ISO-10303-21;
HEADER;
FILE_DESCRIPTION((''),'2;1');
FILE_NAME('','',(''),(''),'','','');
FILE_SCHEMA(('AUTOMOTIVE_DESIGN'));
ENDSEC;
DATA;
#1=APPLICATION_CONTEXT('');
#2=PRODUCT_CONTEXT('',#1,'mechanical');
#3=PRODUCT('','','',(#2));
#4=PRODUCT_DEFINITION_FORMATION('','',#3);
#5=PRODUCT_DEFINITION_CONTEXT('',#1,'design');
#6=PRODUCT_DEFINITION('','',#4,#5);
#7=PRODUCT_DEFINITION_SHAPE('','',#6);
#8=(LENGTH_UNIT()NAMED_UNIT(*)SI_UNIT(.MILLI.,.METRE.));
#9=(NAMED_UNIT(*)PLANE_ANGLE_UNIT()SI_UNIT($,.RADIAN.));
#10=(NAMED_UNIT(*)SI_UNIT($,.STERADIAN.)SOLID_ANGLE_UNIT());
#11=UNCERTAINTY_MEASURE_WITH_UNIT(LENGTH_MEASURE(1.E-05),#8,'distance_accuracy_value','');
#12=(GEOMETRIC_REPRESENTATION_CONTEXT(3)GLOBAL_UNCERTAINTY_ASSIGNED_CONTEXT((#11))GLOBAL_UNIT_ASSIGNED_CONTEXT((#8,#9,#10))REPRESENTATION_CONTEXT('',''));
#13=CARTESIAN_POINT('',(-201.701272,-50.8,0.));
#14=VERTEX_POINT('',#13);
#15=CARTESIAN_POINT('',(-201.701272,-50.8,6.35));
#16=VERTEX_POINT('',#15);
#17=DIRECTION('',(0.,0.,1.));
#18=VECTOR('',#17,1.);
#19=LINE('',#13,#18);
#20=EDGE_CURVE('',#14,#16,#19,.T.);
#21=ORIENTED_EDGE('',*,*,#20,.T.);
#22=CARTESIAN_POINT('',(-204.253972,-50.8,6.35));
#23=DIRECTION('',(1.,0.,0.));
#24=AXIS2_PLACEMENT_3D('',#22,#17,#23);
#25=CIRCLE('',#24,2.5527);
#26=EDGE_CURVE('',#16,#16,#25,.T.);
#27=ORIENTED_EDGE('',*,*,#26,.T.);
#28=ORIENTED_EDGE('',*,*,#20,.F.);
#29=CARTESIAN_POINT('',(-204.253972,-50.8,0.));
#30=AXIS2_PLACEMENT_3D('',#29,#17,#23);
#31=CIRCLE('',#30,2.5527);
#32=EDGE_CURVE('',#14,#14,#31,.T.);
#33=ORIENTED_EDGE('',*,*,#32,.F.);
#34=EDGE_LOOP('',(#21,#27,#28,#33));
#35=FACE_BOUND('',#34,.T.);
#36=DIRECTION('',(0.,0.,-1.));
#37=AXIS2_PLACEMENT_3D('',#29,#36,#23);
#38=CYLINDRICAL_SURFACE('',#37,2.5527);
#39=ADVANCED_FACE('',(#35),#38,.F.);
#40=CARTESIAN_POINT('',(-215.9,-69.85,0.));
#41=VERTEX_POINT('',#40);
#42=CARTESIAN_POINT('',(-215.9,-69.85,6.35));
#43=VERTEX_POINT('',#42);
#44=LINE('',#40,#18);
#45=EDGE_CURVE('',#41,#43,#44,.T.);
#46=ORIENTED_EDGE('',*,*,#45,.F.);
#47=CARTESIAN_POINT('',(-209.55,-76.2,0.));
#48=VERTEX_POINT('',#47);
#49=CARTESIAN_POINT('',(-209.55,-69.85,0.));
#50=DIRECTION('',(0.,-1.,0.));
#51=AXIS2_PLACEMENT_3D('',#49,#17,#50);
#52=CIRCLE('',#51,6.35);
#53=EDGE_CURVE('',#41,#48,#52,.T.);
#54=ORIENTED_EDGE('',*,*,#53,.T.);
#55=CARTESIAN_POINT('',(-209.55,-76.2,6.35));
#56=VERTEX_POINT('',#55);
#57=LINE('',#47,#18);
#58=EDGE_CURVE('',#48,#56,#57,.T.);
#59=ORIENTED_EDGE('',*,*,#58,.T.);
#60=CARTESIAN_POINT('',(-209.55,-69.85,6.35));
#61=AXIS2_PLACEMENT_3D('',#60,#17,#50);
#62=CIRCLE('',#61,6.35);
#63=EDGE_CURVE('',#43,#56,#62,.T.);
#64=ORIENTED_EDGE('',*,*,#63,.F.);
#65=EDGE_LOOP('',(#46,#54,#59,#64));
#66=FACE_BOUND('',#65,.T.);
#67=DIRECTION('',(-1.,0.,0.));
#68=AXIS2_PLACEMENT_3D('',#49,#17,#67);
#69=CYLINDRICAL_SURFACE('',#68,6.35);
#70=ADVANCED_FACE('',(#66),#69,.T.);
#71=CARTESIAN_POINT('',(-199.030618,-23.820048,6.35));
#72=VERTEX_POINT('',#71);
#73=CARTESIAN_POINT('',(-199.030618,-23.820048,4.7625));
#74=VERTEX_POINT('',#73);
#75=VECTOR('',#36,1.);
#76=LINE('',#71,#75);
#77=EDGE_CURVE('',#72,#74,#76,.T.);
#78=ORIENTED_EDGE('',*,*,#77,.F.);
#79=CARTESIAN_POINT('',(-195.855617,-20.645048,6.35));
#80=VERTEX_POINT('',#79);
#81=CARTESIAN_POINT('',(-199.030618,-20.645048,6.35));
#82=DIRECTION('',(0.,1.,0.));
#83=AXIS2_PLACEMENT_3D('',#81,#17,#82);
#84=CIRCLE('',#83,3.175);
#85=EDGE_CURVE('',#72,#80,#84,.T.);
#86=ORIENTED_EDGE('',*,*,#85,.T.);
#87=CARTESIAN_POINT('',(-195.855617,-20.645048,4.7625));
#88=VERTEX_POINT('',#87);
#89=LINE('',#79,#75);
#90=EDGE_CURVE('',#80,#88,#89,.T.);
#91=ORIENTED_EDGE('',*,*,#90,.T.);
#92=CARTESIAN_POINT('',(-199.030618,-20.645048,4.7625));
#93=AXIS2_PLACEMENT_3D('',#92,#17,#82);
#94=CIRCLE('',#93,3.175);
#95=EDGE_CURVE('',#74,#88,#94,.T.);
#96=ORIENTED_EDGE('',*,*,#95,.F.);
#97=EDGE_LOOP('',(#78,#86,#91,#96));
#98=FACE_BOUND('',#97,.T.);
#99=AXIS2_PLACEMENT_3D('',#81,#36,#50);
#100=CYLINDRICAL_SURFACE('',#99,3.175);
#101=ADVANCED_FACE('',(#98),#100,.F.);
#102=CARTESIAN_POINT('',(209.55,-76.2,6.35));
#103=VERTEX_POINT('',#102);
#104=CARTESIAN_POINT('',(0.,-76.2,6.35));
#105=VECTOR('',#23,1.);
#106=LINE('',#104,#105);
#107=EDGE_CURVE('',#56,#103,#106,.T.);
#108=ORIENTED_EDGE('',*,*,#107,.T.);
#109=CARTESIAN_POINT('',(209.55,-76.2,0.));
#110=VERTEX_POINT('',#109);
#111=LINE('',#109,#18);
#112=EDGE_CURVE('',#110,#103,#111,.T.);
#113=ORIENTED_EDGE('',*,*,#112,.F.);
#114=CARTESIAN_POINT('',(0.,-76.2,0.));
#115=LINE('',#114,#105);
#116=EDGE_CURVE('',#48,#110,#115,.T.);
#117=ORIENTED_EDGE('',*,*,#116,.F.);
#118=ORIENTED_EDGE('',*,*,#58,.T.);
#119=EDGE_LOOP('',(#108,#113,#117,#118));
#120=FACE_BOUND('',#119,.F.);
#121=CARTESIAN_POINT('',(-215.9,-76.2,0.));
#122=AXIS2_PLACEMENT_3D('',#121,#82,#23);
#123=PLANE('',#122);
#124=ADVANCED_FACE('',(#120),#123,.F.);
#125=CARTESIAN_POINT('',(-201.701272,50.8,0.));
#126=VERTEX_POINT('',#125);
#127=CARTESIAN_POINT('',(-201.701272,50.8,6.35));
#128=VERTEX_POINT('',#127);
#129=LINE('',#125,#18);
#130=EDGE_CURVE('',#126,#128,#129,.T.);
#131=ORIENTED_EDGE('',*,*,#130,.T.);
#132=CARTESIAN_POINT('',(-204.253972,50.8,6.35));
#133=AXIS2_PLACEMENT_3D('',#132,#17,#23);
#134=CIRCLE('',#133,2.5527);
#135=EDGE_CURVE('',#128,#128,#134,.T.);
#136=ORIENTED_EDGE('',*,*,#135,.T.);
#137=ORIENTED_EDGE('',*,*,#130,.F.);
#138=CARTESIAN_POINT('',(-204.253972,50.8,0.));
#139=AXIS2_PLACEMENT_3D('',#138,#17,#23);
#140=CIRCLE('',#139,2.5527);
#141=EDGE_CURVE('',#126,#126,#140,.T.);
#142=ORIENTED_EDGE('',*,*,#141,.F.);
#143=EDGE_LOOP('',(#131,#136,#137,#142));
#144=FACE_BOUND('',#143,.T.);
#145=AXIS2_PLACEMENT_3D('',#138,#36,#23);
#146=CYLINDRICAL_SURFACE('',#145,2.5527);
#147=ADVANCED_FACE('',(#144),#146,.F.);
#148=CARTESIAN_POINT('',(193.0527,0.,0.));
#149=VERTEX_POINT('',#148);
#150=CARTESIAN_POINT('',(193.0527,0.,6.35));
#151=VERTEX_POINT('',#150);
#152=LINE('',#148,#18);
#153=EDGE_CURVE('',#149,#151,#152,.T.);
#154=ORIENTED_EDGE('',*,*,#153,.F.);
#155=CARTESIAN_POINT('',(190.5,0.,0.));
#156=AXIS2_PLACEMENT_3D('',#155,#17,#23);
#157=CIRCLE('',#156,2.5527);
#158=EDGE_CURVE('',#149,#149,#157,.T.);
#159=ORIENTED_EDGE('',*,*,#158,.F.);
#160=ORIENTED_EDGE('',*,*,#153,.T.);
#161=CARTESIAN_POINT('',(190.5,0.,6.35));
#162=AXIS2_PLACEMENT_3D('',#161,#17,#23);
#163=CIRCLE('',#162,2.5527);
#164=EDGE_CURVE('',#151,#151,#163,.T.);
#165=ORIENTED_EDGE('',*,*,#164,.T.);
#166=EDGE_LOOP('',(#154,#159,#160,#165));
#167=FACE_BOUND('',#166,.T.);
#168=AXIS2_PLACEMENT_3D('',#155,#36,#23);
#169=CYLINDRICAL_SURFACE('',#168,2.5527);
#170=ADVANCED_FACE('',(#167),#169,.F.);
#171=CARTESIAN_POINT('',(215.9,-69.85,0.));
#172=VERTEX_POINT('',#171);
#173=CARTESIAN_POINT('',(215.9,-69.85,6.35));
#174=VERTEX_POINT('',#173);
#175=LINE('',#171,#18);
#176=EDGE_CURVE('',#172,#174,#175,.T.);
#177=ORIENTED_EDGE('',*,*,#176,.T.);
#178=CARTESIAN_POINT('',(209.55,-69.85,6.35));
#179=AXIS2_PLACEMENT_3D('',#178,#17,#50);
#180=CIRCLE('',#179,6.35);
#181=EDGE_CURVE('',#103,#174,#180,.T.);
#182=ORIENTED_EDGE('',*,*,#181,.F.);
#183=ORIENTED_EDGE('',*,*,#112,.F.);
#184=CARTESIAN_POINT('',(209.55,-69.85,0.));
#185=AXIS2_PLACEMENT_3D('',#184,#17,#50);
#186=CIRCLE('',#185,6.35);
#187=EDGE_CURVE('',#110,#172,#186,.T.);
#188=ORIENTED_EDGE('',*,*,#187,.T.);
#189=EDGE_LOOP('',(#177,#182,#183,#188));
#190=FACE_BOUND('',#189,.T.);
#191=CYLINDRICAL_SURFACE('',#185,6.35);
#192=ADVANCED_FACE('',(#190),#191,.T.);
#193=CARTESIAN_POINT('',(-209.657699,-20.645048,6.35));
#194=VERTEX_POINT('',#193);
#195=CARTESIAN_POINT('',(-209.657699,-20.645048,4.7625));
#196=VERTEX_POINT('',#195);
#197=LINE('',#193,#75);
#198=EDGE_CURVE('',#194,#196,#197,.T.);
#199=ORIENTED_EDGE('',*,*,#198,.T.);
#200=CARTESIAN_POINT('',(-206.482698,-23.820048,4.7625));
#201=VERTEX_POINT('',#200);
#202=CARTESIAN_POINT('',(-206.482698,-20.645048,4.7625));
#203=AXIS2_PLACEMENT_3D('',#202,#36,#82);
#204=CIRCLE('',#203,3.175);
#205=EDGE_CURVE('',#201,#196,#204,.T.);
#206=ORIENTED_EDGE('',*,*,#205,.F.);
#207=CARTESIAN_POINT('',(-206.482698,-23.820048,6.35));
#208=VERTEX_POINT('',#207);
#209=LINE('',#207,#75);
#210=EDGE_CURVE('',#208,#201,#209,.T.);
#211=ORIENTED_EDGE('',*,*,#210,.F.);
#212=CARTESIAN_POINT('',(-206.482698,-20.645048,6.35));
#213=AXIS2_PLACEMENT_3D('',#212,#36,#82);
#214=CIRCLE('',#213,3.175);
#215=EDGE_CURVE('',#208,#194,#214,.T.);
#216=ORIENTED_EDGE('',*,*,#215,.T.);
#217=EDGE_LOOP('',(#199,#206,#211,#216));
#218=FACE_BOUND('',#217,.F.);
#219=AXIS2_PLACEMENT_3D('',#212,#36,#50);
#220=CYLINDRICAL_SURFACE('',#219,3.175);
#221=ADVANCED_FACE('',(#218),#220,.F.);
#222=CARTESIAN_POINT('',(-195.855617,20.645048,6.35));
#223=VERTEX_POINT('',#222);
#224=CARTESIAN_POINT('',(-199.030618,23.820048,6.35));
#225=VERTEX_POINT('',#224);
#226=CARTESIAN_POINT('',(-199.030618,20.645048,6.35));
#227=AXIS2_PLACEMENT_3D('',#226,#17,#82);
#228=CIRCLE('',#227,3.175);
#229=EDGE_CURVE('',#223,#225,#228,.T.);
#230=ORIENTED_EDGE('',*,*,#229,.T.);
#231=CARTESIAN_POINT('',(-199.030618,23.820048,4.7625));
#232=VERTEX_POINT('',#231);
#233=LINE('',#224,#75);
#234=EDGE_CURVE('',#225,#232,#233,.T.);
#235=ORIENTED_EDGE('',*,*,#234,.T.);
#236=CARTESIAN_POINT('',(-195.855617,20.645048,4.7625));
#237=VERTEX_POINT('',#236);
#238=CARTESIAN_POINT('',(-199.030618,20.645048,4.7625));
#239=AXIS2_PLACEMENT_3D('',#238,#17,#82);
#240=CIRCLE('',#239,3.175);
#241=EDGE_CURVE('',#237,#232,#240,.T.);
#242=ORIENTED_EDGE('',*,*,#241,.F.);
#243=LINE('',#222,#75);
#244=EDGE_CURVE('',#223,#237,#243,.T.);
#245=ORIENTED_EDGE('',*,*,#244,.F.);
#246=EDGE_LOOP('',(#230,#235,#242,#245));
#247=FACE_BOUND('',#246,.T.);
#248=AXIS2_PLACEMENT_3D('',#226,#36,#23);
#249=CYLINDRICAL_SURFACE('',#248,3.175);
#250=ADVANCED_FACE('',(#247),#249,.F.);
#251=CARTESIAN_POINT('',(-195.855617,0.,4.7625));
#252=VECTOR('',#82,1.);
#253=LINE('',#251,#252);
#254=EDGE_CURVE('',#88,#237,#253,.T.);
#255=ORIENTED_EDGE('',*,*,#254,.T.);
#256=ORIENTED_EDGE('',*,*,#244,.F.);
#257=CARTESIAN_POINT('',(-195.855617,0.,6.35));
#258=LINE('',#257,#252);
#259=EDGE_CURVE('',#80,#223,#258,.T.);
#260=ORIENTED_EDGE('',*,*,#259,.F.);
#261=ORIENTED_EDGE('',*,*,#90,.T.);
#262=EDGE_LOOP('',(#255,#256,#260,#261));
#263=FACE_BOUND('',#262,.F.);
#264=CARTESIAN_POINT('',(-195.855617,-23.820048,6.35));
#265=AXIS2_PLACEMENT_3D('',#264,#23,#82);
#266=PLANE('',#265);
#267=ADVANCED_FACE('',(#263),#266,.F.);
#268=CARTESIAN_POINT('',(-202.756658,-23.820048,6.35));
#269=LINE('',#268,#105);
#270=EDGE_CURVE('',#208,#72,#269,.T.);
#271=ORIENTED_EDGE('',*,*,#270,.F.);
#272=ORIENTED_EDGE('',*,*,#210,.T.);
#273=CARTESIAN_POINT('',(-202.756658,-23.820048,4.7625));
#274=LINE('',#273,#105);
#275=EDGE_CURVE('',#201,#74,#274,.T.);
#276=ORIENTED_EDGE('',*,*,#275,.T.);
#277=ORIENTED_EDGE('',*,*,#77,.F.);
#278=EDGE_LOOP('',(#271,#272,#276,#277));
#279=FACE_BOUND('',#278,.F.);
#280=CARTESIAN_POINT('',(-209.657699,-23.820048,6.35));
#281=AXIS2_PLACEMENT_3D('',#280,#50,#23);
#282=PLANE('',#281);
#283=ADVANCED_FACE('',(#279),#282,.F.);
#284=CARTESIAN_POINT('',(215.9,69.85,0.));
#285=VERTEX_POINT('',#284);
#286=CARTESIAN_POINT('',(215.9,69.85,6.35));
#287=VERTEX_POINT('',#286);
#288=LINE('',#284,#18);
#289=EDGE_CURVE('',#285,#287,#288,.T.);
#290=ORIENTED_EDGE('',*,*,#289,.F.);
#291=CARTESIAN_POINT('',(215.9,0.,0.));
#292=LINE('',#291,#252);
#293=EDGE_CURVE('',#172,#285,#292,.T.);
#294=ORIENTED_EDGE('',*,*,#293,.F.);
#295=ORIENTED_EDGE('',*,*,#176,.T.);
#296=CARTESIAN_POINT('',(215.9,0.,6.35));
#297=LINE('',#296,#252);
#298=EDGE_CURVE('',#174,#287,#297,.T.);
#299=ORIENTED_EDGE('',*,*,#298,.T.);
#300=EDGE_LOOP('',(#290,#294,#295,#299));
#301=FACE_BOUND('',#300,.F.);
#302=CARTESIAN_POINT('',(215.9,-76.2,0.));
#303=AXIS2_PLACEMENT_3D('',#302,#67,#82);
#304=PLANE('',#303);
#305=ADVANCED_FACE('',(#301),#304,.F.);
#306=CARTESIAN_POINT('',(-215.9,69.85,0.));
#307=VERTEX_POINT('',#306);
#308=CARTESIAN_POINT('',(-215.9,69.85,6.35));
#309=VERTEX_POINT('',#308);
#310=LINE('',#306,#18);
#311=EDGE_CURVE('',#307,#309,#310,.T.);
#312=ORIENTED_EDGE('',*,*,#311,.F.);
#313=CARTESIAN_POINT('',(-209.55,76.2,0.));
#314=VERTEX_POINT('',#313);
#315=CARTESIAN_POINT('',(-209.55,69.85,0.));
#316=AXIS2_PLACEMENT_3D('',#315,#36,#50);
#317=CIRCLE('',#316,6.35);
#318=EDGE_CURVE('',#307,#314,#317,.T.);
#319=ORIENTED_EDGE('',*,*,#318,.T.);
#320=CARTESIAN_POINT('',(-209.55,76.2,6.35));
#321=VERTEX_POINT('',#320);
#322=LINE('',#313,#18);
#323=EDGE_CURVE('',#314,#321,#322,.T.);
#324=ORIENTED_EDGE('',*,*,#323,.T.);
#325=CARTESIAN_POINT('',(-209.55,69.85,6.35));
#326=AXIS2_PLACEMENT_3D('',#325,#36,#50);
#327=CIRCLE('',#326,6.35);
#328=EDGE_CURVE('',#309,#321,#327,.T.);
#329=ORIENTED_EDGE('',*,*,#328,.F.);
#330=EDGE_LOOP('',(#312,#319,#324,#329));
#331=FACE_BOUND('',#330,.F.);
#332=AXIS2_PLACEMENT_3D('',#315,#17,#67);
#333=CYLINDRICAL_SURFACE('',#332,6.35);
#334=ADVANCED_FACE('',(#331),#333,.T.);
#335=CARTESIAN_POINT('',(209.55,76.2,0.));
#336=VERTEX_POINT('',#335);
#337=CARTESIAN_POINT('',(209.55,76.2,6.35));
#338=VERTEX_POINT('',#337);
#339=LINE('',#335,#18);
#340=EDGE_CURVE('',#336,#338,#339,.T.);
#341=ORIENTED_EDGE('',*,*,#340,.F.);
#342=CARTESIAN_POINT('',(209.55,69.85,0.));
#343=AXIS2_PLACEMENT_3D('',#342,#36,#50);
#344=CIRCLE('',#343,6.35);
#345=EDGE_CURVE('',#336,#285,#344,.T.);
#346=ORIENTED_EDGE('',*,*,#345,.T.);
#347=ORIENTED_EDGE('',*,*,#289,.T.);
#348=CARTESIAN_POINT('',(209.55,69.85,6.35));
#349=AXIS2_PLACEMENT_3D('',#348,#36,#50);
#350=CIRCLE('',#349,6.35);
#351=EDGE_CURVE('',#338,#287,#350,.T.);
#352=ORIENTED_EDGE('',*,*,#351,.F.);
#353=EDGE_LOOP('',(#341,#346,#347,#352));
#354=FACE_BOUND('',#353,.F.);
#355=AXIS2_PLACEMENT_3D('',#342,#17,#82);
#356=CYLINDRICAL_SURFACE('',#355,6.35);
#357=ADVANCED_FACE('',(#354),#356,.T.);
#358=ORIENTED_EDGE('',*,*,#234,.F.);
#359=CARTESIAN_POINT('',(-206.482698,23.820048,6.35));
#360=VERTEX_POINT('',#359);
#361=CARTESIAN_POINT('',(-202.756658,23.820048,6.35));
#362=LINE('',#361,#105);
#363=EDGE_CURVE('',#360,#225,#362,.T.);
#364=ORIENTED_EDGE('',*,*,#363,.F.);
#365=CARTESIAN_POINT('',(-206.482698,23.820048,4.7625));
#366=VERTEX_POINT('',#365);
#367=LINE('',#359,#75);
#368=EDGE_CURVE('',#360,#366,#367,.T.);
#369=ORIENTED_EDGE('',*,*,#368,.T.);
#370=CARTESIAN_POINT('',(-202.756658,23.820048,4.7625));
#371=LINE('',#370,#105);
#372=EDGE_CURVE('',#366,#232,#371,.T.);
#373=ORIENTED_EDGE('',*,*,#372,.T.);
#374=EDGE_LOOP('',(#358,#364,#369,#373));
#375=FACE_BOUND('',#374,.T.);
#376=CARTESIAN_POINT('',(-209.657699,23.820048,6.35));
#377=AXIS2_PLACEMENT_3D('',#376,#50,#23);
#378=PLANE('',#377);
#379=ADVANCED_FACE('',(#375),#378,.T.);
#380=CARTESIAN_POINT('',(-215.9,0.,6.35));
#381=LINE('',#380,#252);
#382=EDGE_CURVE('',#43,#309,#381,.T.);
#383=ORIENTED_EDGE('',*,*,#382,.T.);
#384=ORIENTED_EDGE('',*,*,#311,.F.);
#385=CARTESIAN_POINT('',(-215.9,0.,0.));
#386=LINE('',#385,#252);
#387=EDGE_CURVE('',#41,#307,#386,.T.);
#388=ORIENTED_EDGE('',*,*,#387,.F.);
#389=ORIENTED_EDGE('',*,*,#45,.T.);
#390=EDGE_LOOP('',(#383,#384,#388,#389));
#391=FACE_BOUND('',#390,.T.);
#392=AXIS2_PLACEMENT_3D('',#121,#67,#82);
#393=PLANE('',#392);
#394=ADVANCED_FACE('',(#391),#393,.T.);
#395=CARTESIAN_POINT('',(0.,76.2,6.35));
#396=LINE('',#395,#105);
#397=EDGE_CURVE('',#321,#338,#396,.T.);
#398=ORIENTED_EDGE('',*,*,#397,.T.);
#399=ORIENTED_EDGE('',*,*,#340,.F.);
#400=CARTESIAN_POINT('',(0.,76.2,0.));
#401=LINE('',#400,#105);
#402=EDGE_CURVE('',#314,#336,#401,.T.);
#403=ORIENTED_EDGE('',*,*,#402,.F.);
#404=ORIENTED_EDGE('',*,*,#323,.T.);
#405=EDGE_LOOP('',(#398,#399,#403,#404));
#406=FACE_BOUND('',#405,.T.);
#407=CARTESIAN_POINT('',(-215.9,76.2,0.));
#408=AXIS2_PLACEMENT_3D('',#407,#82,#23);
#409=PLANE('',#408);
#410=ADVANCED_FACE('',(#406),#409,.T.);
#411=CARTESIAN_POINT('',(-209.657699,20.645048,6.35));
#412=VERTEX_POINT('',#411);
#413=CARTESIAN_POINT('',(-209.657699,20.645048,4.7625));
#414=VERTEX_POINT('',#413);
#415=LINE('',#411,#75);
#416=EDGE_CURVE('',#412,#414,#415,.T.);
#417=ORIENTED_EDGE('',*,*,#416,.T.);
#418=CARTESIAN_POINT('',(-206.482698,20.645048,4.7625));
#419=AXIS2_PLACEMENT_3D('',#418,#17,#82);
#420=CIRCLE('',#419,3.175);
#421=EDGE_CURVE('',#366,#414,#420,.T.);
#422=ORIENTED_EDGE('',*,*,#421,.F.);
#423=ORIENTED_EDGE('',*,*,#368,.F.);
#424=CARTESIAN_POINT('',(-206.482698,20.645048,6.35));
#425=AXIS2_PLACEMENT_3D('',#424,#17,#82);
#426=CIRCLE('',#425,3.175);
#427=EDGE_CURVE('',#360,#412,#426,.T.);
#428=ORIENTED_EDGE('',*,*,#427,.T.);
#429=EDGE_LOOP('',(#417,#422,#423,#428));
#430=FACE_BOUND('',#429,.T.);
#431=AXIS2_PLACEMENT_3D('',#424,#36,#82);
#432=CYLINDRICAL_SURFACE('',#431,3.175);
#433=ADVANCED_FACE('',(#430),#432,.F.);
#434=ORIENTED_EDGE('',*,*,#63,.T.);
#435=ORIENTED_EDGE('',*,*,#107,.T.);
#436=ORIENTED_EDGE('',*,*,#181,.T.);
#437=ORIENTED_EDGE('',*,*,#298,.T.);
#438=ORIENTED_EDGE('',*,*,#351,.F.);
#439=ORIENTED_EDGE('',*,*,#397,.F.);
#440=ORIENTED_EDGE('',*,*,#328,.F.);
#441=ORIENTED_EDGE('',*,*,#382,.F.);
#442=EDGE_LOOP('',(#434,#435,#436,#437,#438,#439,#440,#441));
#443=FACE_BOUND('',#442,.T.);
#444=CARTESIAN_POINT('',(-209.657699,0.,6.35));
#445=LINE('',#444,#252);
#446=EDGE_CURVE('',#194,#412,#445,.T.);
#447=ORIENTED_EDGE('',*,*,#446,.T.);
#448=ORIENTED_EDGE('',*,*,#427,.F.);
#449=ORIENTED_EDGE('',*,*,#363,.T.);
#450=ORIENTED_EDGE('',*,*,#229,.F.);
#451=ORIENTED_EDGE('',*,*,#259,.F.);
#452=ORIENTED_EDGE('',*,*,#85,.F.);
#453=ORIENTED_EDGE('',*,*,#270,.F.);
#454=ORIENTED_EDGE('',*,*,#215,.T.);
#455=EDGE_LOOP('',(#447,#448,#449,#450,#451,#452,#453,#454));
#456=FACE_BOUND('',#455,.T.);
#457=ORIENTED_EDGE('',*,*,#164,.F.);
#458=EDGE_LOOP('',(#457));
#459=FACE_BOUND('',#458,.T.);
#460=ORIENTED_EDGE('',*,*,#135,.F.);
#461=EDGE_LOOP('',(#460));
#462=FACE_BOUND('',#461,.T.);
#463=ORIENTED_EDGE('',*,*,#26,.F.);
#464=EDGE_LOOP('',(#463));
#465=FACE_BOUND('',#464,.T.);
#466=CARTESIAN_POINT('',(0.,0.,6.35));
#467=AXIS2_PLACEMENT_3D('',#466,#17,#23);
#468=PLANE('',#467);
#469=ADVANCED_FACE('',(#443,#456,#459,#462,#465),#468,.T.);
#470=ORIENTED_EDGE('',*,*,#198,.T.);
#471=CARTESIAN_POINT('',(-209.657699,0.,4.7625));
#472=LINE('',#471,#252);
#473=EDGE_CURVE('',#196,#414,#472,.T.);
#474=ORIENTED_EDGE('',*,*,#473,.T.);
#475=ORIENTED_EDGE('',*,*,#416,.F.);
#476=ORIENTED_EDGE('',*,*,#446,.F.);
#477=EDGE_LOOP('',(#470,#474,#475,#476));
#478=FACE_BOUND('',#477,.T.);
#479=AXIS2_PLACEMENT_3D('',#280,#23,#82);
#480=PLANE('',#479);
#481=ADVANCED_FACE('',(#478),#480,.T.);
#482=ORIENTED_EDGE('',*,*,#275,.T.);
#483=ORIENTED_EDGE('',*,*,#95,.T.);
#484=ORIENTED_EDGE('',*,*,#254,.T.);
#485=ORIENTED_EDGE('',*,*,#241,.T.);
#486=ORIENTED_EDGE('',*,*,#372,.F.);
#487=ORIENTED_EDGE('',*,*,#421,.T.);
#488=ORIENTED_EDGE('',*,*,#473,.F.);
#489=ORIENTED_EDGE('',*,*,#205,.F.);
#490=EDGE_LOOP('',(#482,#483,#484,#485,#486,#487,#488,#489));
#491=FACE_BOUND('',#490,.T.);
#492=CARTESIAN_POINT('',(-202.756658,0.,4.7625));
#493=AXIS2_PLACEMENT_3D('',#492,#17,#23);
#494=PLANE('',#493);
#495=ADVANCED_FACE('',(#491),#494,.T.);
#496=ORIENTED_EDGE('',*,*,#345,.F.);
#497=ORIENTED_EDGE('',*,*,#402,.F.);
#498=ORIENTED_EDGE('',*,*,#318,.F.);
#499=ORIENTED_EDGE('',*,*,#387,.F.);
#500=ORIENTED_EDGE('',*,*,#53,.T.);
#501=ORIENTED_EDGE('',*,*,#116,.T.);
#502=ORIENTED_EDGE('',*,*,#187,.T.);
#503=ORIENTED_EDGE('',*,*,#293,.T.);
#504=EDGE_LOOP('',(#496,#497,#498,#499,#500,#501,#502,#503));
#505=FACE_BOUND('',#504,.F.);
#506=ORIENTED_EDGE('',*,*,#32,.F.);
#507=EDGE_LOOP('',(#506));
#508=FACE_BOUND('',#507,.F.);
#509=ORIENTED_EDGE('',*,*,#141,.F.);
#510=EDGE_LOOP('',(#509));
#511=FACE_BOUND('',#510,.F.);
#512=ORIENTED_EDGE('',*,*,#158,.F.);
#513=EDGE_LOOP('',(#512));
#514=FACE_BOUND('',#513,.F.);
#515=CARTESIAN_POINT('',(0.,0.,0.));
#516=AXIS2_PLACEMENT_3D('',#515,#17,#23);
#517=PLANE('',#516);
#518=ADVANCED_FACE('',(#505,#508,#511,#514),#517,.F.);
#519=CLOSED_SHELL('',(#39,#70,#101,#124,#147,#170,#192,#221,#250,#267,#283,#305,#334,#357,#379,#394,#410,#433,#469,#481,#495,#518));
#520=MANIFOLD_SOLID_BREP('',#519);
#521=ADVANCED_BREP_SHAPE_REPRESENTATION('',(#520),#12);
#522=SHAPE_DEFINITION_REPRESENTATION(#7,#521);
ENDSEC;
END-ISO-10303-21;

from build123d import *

# Parameters (mm, degrees)
F0_W     = 431.8
F0_H     = 152.4
F0_R     = 2.5527
F1_DEPTH = 6.35
F2_W     = 13.802081
F2_H     = 47.640096
F3_DEPTH = 1.5875
F4_R     = 3.175
F5_R     = 6.35


with BuildPart() as f1:
    # F0 (on Top) → F1 (new body)
    with BuildSketch(Plane.XY):
        Rectangle(F0_W, F0_H)
        with Locations((-204.253972, -50.8)):
            Circle(F0_R, mode=Mode.SUBTRACT)
        with Locations((-204.253972, 50.8)):
            Circle(F0_R, mode=Mode.SUBTRACT)
        with Locations((190.5, 0)):
            Circle(F0_R, mode=Mode.SUBTRACT)
    extrude(amount=F1_DEPTH)

    # F2 (on face) → F3 (cut)
    with BuildSketch(Plane.XY.offset(6.35)):
        with Locations((-202.756658, 0)):
            Rectangle(F2_W, F2_H)
    extrude(amount=-F3_DEPTH, mode=Mode.SUBTRACT)

    # F4
    f4_edges = [f1.edges().sort_by_distance(p)[0] for p in [
        (-209.657699, 23.820048, 5.55625),
        (-195.855618, 23.820048, 5.55625),
        (-209.657699, -23.820048, 5.55625),
        (-195.855618, -23.820048, 5.55625),
    ]]
    fillet(f4_edges, radius=F4_R)

    # F5
    f5_edges = [f1.edges().sort_by_distance(p)[0] for p in [
        (-215.9, -76.2, 3.175),
        (-215.9, 76.2, 3.175),
        (215.9, 76.2, 3.175),
        (215.9, -76.2, 3.175),
    ]]
    fillet(f5_edges, radius=F5_R)


solid = f1.part
